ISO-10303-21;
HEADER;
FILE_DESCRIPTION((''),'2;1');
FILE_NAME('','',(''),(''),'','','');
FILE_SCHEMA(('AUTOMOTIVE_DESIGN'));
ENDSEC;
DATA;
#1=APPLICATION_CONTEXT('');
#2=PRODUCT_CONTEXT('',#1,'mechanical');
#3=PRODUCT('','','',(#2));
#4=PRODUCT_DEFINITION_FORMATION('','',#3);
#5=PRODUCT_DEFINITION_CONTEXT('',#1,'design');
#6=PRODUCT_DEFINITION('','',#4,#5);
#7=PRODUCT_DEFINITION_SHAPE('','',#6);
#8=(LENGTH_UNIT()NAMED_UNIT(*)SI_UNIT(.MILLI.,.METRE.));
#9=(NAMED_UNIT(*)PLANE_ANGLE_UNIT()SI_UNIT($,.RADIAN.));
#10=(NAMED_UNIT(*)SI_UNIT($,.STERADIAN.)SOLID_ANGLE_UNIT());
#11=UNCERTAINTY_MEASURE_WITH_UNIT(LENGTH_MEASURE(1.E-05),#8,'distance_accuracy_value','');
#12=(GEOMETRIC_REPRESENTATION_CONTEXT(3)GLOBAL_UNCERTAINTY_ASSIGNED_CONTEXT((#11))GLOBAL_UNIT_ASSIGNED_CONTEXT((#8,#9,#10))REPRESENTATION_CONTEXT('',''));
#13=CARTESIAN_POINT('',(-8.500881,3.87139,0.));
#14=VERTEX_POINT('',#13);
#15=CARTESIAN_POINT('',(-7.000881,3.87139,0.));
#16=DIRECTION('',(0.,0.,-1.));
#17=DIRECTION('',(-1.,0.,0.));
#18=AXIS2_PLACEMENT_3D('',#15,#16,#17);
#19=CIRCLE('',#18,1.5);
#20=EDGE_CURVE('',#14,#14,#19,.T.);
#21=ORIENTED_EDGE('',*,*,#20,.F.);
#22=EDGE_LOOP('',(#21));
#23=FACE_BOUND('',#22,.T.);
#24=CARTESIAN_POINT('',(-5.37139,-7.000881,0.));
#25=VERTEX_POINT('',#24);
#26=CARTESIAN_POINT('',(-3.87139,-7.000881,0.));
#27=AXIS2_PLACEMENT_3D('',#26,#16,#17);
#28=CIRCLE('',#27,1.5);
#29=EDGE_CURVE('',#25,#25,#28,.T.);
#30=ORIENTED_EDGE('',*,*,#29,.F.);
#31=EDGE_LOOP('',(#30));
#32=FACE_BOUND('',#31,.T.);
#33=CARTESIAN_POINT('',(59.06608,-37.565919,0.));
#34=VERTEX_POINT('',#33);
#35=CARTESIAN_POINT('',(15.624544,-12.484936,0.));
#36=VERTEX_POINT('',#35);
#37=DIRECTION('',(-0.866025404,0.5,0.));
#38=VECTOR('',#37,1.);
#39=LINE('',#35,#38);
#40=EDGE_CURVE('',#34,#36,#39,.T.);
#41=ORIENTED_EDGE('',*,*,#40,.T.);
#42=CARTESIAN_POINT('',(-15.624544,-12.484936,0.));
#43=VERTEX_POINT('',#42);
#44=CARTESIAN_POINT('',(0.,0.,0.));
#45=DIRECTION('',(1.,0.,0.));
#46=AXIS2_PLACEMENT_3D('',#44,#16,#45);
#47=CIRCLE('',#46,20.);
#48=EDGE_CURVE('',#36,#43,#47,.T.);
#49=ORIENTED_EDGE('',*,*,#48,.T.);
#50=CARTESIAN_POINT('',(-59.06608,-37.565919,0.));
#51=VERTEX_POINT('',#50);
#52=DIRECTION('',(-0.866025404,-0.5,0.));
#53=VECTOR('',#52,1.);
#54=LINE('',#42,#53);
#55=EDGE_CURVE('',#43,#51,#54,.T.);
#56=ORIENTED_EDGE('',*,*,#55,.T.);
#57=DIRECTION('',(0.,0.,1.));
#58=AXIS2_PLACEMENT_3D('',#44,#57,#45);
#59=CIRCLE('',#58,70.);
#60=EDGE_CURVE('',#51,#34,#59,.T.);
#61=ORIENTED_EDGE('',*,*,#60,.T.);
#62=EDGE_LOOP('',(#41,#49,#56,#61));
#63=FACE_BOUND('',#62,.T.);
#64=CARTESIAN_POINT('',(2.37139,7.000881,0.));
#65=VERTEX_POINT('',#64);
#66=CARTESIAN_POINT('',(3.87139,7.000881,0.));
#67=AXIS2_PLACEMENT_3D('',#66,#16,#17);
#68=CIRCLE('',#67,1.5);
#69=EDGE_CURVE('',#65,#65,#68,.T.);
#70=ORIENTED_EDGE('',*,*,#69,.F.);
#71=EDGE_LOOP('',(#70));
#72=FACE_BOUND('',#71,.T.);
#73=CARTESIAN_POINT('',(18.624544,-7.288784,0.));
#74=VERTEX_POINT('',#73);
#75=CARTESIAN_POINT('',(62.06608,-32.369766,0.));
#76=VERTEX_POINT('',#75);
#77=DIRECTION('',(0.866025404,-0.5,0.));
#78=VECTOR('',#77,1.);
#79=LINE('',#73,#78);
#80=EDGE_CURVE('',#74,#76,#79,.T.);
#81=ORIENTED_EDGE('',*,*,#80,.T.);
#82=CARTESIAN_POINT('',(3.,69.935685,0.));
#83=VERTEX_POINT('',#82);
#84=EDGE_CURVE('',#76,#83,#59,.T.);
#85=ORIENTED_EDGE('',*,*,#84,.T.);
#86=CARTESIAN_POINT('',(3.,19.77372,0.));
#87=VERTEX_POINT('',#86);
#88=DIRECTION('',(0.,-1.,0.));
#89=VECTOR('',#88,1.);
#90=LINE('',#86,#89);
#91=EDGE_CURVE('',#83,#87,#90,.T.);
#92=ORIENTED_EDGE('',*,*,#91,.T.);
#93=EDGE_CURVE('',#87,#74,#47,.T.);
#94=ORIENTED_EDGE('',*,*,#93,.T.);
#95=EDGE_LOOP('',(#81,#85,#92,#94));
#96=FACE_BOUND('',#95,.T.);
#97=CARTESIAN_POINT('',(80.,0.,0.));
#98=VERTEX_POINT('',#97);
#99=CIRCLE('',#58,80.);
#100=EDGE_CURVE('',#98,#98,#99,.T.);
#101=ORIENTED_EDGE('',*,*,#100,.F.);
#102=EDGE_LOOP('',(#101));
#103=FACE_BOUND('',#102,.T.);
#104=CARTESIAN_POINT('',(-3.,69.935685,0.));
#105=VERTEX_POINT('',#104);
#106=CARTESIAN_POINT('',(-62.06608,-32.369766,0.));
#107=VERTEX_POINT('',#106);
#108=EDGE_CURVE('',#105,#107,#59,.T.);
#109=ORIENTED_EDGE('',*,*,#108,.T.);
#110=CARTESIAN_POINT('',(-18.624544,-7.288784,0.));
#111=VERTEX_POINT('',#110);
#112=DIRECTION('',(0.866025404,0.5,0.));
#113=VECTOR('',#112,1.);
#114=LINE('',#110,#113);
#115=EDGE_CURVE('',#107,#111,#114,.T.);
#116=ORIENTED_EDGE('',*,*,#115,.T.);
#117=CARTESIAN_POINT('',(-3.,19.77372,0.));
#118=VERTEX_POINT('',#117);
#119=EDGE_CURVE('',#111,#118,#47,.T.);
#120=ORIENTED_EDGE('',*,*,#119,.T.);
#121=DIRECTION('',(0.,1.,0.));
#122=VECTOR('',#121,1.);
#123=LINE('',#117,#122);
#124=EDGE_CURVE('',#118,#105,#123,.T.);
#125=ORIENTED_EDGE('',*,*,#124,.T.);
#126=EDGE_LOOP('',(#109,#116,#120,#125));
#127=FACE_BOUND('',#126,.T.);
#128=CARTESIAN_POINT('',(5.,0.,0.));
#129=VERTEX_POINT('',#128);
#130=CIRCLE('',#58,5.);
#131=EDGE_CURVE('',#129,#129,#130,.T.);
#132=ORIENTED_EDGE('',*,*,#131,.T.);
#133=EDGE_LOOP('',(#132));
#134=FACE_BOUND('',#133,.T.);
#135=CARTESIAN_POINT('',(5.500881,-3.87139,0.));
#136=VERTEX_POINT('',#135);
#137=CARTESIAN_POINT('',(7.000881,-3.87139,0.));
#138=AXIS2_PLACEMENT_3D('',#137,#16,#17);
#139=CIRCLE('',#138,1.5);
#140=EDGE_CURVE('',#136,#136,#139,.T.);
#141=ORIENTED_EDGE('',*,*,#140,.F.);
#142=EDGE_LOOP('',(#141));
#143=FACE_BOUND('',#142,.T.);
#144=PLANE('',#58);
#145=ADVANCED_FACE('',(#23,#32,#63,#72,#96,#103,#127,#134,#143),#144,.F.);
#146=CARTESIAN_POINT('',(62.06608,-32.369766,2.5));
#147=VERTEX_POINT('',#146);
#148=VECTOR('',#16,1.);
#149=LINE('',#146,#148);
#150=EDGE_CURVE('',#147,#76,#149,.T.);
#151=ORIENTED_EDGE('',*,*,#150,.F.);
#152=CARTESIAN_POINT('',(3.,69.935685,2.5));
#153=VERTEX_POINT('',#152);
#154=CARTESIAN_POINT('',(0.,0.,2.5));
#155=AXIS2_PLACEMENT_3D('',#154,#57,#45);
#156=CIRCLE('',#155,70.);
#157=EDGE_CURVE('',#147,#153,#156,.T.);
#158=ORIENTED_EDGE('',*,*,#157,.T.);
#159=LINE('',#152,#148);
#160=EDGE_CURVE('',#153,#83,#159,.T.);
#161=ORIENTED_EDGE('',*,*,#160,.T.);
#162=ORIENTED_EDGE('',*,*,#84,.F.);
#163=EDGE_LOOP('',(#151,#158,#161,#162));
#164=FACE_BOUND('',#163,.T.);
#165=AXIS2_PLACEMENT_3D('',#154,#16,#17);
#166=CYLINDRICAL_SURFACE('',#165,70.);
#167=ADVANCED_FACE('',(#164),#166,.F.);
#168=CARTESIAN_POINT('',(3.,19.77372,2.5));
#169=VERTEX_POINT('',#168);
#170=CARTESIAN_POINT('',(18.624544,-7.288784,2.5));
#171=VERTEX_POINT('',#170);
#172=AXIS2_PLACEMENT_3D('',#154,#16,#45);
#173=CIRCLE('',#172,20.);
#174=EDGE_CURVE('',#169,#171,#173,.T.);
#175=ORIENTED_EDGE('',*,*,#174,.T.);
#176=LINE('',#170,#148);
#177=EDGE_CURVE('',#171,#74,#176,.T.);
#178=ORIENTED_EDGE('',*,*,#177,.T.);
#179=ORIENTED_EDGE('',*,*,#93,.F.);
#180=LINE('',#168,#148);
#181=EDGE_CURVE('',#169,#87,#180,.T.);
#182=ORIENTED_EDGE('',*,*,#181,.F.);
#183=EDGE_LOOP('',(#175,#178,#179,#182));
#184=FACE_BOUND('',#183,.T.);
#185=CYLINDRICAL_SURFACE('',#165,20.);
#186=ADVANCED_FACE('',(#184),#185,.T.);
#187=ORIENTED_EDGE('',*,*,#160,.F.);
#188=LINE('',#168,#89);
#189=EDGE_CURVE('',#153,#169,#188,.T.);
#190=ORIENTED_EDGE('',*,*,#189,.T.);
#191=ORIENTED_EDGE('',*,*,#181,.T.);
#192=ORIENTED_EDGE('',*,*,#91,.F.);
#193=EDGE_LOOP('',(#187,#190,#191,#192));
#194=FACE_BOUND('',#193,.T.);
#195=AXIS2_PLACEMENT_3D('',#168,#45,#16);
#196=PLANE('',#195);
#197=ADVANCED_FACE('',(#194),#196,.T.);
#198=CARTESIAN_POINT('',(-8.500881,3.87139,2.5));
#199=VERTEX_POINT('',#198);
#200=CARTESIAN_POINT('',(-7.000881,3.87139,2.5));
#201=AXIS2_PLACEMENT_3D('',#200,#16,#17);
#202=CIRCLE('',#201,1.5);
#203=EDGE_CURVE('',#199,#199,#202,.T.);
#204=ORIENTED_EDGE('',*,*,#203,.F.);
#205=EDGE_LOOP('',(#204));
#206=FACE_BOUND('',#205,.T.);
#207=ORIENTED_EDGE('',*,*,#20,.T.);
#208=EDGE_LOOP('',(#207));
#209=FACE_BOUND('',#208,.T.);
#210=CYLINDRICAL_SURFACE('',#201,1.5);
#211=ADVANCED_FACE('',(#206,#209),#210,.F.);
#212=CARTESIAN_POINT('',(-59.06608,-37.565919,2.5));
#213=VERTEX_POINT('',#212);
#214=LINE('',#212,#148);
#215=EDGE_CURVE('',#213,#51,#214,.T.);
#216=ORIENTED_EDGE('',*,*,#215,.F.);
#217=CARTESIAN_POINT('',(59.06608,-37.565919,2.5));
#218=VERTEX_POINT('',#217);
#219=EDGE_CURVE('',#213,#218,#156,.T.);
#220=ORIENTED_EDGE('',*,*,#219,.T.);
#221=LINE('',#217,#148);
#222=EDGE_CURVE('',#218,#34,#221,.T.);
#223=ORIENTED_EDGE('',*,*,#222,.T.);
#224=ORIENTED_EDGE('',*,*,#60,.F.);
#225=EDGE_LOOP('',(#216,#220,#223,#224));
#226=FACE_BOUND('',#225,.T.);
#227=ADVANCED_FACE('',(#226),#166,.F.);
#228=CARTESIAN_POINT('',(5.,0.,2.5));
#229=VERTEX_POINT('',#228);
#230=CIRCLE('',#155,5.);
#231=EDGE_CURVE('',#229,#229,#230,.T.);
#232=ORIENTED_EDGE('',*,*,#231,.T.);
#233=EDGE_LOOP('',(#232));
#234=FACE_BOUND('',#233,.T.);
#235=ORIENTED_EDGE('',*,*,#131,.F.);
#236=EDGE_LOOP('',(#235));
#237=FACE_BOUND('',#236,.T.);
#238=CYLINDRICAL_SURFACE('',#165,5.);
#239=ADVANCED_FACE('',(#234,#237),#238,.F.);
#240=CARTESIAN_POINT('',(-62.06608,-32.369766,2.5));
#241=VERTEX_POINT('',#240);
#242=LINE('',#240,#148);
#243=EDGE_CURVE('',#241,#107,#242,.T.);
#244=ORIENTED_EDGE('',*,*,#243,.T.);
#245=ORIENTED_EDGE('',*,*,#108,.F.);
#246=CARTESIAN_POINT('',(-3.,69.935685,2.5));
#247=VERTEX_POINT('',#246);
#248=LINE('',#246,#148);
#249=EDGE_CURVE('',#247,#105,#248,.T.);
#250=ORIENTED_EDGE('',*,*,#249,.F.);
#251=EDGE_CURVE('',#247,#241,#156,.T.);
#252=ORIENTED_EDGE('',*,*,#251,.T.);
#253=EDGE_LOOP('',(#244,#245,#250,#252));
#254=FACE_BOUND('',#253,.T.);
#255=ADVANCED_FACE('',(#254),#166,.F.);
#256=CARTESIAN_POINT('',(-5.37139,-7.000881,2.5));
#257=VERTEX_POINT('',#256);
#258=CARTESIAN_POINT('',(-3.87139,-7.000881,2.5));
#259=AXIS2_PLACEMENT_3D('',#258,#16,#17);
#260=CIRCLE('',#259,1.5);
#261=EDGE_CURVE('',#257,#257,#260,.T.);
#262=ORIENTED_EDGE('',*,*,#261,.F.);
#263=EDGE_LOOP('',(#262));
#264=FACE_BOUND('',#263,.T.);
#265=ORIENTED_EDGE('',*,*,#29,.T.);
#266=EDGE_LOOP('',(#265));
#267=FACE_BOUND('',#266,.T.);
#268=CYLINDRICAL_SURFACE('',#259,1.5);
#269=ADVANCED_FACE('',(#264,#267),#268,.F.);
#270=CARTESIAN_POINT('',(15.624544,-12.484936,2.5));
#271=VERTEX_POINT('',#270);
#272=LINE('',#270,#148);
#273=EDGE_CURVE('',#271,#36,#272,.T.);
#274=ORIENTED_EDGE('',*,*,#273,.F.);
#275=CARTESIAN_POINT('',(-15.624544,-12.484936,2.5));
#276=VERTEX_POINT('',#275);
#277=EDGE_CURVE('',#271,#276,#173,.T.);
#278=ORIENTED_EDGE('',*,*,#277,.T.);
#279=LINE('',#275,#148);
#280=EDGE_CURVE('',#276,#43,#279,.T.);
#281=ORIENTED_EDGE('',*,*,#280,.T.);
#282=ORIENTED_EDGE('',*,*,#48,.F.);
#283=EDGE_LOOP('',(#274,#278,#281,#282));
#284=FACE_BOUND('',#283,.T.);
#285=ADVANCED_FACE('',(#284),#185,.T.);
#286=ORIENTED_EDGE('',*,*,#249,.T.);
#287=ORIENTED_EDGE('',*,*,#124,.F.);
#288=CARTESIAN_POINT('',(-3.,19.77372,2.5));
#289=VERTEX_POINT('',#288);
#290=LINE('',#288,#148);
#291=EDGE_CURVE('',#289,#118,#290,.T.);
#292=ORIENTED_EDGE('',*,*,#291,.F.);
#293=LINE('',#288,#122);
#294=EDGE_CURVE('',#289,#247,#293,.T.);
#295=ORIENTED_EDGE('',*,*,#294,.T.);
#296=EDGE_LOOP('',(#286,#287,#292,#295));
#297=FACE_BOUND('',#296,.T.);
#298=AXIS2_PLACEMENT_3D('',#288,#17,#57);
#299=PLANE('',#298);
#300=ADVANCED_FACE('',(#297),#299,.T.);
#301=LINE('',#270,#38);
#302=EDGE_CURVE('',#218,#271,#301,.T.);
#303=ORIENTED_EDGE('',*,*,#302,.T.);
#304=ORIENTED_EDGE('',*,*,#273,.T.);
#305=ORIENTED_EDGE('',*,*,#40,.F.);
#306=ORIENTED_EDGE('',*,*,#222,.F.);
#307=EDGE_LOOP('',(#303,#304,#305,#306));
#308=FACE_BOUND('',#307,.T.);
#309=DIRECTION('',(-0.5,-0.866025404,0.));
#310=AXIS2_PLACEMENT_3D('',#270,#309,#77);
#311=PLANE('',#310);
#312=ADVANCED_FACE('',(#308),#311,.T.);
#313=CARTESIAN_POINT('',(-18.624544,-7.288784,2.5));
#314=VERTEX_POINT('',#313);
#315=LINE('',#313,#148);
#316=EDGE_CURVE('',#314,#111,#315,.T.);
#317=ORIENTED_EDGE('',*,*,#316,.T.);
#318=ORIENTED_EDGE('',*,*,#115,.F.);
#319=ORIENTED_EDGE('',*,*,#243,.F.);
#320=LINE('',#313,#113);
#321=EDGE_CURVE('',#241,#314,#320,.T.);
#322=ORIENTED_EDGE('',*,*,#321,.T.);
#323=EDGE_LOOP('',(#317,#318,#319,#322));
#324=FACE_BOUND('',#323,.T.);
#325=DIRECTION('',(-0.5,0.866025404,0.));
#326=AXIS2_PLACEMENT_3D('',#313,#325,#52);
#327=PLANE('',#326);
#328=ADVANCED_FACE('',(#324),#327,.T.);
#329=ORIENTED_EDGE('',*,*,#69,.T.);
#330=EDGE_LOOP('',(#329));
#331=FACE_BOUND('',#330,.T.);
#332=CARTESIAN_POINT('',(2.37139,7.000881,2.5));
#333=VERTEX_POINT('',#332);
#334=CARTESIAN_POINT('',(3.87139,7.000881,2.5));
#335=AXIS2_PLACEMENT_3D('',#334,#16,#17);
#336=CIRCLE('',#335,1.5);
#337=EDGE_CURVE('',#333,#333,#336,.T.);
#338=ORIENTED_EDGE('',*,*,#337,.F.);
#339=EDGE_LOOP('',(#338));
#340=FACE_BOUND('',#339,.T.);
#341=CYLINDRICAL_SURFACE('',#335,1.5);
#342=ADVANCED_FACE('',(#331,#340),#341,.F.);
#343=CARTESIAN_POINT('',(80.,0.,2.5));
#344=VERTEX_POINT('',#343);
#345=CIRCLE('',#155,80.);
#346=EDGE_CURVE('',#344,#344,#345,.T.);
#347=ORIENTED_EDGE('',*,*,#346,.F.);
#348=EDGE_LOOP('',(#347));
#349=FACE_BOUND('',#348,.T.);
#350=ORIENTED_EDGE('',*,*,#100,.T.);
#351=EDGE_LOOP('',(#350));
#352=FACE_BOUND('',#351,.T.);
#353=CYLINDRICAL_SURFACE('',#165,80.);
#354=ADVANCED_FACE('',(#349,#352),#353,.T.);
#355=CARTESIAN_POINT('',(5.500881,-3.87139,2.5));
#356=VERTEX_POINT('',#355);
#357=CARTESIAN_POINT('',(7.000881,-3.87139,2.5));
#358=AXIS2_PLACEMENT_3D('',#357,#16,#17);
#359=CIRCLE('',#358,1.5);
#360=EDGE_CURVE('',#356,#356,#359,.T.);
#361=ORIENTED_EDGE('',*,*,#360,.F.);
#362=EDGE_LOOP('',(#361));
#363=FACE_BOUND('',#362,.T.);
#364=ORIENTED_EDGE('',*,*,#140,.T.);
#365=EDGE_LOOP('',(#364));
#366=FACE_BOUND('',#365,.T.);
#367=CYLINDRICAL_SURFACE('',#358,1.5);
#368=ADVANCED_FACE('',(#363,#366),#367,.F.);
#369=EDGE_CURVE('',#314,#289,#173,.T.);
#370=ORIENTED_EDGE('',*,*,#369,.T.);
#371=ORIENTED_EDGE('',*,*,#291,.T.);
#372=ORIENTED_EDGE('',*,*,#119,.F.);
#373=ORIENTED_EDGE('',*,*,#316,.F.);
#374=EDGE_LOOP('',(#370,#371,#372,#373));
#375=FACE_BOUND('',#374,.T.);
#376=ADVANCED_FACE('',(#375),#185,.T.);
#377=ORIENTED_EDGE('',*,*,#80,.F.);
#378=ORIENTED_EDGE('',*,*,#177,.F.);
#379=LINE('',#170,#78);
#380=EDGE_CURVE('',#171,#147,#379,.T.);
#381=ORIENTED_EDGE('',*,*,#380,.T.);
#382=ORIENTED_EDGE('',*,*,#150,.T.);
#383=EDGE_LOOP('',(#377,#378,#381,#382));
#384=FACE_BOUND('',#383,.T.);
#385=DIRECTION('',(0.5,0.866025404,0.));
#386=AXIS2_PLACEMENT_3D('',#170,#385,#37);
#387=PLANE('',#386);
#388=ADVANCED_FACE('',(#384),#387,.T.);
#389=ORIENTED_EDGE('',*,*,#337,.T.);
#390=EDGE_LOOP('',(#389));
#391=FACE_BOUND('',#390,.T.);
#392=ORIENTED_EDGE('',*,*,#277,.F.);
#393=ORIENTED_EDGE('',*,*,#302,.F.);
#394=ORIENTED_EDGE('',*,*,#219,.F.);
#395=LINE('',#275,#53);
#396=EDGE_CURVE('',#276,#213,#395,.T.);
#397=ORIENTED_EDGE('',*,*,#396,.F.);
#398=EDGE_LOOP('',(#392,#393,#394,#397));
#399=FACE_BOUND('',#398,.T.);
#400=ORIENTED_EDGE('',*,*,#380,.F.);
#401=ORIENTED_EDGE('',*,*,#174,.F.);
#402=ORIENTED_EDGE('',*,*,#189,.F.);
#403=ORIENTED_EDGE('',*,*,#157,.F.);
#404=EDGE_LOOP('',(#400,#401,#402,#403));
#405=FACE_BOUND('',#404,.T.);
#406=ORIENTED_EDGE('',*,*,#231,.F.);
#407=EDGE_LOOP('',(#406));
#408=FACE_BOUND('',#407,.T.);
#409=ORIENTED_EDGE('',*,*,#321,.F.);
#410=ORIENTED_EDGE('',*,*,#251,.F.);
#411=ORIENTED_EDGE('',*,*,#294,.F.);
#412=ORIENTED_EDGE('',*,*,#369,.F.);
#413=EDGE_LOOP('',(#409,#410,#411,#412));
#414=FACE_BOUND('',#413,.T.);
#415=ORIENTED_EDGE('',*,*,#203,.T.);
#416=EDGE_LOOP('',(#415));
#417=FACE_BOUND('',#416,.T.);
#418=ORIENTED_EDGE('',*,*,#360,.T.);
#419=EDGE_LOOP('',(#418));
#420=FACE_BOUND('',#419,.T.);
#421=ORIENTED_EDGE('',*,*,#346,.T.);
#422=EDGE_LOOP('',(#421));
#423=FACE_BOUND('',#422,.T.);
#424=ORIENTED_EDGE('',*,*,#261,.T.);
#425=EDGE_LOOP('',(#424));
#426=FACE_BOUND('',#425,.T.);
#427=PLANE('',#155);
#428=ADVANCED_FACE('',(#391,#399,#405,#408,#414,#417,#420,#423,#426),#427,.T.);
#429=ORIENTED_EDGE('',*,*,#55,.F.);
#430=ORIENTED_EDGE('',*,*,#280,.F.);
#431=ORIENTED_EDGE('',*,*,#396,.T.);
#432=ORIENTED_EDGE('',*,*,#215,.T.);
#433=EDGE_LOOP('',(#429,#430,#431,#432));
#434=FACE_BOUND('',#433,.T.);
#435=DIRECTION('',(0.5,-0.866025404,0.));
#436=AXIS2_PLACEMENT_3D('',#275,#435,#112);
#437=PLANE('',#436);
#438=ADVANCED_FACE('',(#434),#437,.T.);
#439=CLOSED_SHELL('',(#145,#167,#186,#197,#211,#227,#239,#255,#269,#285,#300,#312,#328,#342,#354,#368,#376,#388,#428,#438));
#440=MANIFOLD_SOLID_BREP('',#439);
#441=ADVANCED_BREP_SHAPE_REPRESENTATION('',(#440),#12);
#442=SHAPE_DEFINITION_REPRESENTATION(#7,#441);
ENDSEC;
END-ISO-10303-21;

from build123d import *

# Parameters (mm, degrees)
SKETCH_1_R          = 80
SKETCH_1_R_2        = 5
EXTRUDE_1_DEPTH     = 2.5
SKETCH_2_R          = 1.5
CUT_EXTRUDE_1_DEPTH = 114.164702978


with BuildPart() as part:
    # 草图1 → 凸台-拉伸1 (new body)
    with BuildSketch(Plane.XY):
        Circle(SKETCH_1_R)
        Circle(SKETCH_1_R_2, mode=Mode.SUBTRACT)
        with BuildLine():
            Line((-3, 19.773719933), (-3, 69.93568474))
            ThreePointArc((-3, 69.93568474), (-60.621778265, 35), (-62.066079616, -32.369766158))
            Line((-62.066079616, -32.369766158), (-18.62454379, -7.288783755))
            ThreePointArc((-18.62454379, -7.288783755), (-17.320508076, 10), (-3, 19.773719933))
        make_face(mode=Mode.SUBTRACT)
        with BuildLine():
            Line((3, 19.773719933), (3, 69.93568474))
            ThreePointArc((3, 69.93568474), (60.621778265, 35), (62.066079616, -32.369766158))
            Line((62.066079616, -32.369766158), (18.62454379, -7.288783755))
            ThreePointArc((18.62454379, -7.288783755), (17.320508076, 10), (3, 19.773719933))
        make_face(mode=Mode.SUBTRACT)
        with BuildLine():
            Line((15.62454379, -12.484936178), (59.066079616, -37.565918581))
            ThreePointArc((59.066079616, -37.565918581), (0, -70), (-59.066079616, -37.565918581))
            Line((-59.066079616, -37.565918581), (-15.62454379, -12.484936178))
            ThreePointArc((-15.62454379, -12.484936178), (0, -20), (15.62454379, -12.484936178))
        make_face(mode=Mode.SUBTRACT)
    extrude(amount=EXTRUDE_1_DEPTH)

    # 草图2 → 切除-拉伸1 (cut, through all)
    with BuildSketch(Plane(origin=(0, 0, 0), x_dir=(-1, 0, 0), z_dir=(0, 0, -1))):
        with Locations((-7.000881354, -3.871389966)):
            Circle(SKETCH_2_R)
        with Locations((-3.871389966, 7.000881354)):
            Circle(SKETCH_2_R)
        with Locations((7.000881354, 3.871389966)):
            Circle(SKETCH_2_R)
        with Locations((3.871389966, -7.000881354)):
            Circle(SKETCH_2_R)
    extrude(amount=-CUT_EXTRUDE_1_DEPTH, mode=Mode.SUBTRACT)


solid = part.part
